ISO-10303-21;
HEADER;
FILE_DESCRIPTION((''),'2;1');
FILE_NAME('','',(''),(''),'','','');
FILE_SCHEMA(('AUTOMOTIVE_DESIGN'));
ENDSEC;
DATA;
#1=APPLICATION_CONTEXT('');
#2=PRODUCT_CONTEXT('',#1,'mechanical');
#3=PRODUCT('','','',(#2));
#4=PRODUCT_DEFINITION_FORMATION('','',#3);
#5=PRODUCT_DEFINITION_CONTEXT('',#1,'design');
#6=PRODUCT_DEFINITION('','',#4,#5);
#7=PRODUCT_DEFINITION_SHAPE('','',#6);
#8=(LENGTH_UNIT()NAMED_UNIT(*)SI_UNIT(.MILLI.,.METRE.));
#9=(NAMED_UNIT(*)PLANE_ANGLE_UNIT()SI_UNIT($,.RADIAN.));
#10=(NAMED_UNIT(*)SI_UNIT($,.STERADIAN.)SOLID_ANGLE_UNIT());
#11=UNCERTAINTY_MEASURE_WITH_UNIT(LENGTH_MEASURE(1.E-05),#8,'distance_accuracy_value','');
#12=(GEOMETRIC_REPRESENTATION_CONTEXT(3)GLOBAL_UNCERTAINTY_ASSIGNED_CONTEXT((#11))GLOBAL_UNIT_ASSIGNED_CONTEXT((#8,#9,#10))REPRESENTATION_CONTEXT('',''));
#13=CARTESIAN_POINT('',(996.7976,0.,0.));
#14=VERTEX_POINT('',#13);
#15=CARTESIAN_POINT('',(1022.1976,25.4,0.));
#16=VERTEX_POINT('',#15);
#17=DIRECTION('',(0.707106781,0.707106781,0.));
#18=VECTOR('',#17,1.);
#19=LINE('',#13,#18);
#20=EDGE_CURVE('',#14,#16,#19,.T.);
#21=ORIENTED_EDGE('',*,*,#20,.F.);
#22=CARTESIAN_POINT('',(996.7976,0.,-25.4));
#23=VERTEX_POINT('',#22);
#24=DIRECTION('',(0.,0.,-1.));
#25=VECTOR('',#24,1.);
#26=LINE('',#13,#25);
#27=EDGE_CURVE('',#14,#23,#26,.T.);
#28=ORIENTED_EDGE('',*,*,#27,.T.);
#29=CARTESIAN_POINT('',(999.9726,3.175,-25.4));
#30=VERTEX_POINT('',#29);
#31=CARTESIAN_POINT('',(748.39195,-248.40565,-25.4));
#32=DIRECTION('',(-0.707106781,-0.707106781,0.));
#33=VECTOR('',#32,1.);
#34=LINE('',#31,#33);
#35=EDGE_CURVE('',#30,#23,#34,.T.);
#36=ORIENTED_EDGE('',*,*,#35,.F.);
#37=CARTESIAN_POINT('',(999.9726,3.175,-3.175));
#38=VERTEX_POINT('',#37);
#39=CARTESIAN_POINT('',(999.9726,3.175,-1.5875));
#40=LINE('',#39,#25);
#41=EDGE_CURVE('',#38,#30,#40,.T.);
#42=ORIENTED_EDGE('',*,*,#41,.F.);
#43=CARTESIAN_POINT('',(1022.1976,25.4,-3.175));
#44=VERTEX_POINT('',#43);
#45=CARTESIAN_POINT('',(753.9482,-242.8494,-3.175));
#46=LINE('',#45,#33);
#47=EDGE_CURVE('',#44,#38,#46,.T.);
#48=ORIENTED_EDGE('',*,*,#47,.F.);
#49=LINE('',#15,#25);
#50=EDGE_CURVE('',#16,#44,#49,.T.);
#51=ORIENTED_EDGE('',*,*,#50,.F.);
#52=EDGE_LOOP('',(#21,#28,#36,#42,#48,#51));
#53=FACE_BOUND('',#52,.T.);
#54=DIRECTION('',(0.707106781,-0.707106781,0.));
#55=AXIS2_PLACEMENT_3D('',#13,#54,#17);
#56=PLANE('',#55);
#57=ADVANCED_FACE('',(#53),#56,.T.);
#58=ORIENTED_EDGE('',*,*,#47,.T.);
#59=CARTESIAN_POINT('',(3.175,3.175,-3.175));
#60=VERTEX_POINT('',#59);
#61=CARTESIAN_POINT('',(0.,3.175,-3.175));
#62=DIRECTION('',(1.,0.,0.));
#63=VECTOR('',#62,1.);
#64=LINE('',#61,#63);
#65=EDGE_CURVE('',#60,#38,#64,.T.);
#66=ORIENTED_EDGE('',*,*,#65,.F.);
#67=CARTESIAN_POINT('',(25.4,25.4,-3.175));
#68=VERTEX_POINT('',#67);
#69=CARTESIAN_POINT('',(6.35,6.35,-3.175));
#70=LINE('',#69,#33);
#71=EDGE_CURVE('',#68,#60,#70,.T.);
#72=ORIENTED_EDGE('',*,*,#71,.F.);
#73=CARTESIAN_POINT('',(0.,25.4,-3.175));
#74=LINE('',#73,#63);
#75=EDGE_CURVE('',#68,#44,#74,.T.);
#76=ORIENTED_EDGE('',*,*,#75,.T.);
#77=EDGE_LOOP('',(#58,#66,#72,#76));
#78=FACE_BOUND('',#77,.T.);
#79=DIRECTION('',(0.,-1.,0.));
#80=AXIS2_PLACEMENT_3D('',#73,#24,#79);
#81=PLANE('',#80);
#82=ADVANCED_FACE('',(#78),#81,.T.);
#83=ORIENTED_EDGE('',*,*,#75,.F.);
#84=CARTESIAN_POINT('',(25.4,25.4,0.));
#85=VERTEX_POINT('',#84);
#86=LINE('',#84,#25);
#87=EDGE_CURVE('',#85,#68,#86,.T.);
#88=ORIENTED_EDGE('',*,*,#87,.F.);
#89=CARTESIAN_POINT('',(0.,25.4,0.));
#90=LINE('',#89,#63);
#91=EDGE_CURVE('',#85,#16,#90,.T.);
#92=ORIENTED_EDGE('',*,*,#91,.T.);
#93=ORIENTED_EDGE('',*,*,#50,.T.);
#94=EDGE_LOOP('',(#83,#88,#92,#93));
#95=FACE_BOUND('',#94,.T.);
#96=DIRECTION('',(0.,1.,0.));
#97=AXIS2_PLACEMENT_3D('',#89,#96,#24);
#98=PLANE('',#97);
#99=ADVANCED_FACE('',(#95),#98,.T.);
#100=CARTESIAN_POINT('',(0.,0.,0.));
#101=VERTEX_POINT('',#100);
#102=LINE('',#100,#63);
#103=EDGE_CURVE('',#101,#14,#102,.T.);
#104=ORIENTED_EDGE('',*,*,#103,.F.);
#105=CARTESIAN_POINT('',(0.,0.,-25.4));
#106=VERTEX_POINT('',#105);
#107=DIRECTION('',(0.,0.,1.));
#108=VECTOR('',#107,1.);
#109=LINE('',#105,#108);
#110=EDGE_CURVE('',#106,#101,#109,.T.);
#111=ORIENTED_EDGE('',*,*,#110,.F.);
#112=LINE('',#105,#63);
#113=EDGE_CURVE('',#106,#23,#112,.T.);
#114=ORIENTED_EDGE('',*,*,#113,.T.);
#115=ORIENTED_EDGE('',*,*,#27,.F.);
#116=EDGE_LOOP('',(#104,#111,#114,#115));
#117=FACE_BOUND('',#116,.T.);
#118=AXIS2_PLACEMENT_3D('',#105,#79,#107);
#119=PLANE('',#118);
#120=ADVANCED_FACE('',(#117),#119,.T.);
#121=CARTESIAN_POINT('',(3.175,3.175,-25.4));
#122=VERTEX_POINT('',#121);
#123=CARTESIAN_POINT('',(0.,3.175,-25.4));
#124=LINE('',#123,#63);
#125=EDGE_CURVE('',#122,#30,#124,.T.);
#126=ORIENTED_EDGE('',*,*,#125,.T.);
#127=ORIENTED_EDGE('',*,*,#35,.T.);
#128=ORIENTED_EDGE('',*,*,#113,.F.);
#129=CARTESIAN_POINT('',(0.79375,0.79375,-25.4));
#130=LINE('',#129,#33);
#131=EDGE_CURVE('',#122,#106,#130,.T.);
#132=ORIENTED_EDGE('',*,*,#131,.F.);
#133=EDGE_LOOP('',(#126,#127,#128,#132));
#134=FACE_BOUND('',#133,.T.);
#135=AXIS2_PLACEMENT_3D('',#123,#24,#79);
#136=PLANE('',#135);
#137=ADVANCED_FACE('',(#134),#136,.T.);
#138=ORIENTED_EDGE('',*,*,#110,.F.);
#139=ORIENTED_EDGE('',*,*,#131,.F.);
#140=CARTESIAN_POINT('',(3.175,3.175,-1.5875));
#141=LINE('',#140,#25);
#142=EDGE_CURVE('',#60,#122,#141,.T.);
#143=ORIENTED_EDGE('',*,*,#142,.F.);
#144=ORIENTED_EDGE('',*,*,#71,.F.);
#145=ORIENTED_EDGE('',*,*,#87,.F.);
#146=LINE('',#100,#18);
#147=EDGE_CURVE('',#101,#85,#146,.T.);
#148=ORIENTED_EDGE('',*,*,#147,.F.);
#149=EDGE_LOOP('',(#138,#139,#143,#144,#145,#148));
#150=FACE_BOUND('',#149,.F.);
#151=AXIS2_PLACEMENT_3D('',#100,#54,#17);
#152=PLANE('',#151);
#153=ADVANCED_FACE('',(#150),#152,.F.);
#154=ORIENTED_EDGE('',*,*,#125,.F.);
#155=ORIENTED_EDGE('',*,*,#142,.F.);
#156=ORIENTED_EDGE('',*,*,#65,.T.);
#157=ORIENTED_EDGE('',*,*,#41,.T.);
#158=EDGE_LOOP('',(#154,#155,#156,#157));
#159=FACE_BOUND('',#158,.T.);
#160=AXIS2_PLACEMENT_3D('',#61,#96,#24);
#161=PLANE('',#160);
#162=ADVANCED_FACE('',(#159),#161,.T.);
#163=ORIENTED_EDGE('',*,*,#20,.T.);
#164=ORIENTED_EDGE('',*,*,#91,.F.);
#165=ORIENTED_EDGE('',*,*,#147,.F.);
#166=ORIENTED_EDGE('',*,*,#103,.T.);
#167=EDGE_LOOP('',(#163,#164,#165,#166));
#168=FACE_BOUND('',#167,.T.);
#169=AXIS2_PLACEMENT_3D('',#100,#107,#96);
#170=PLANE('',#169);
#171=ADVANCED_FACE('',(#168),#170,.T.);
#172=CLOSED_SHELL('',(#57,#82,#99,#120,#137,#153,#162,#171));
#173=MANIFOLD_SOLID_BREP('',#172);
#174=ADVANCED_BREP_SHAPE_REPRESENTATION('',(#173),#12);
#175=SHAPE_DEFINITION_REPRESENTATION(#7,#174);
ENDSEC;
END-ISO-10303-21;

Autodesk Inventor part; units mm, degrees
ref_plane "YZ Plane" through (0, 0, 0) normal (1, 0, 0) x (0, 1, 0)
ref_plane "XZ Plane" through (0, 0, 0) normal (0, 1, 0) x (-1, 0, 0)
ref_plane "XY Plane" through (0, 0, 0) normal (0, 0, 1) x (1, 0, 0)
sketch "Sketch1" plane through (0, 0, 0) normal (1, 0, 0) x (0, 1, 0)
  line L0 (0, 0) -> (25.4, 0)
  line L1 (25.4, 0) -> (25.4, -3.175)
  line L2 (25.4, -3.175) -> (3.175, -3.175)
  line L3 (3.175, -3.175) -> (3.175, -25.4)
  line L4 (3.175, -25.4) -> (0, -25.4)
  line L5 (0, -25.4) -> (0, 0)
  dimension "d0" = 25.4
  dimension "d1" = 3.175
  dimension "d2" = 22.225
  dimension "d3" = 22.225
  dimension "d4" = 3.175
extrude "Extrusion1" add sketch "Sketch1" along normal blind 1022.1976
sketch "Sketch4" plane through (0, 0, 0) normal (0, 0, 1) x (1, 0, 0)
  line L0 (0, 0) -> (25.4, 25.4)
  line L1 (0, 25.4) -> (1022.1976, 25.4) projected
  line L2 (0, 0) -> (35.921, 0) construction
  line L3 (25.4, 25.4) -> (0, 25.4)
  line L4 (0, 25.4) -> (0, 0)
  line L5 (1022.1976, 0) -> (996.7976, 0)
  line L6 (0, 0) -> (1022.1976, 0) projected
  line L7 (996.7976, 0) -> (1022.1976, 25.4)
  line L8 (1022.1976, 25.4) -> (1022.1976, 0)
  dimension "d16" = 45
  dimension "d17" = 25.4
  dimension "d18" = 45
extrude "Extrusion4" cut sketch "Sketch4" against normal blind 1022.1976 contours L4 L1 L0 | L7 L8 L5
properties part number "Brace Back 45 B"
